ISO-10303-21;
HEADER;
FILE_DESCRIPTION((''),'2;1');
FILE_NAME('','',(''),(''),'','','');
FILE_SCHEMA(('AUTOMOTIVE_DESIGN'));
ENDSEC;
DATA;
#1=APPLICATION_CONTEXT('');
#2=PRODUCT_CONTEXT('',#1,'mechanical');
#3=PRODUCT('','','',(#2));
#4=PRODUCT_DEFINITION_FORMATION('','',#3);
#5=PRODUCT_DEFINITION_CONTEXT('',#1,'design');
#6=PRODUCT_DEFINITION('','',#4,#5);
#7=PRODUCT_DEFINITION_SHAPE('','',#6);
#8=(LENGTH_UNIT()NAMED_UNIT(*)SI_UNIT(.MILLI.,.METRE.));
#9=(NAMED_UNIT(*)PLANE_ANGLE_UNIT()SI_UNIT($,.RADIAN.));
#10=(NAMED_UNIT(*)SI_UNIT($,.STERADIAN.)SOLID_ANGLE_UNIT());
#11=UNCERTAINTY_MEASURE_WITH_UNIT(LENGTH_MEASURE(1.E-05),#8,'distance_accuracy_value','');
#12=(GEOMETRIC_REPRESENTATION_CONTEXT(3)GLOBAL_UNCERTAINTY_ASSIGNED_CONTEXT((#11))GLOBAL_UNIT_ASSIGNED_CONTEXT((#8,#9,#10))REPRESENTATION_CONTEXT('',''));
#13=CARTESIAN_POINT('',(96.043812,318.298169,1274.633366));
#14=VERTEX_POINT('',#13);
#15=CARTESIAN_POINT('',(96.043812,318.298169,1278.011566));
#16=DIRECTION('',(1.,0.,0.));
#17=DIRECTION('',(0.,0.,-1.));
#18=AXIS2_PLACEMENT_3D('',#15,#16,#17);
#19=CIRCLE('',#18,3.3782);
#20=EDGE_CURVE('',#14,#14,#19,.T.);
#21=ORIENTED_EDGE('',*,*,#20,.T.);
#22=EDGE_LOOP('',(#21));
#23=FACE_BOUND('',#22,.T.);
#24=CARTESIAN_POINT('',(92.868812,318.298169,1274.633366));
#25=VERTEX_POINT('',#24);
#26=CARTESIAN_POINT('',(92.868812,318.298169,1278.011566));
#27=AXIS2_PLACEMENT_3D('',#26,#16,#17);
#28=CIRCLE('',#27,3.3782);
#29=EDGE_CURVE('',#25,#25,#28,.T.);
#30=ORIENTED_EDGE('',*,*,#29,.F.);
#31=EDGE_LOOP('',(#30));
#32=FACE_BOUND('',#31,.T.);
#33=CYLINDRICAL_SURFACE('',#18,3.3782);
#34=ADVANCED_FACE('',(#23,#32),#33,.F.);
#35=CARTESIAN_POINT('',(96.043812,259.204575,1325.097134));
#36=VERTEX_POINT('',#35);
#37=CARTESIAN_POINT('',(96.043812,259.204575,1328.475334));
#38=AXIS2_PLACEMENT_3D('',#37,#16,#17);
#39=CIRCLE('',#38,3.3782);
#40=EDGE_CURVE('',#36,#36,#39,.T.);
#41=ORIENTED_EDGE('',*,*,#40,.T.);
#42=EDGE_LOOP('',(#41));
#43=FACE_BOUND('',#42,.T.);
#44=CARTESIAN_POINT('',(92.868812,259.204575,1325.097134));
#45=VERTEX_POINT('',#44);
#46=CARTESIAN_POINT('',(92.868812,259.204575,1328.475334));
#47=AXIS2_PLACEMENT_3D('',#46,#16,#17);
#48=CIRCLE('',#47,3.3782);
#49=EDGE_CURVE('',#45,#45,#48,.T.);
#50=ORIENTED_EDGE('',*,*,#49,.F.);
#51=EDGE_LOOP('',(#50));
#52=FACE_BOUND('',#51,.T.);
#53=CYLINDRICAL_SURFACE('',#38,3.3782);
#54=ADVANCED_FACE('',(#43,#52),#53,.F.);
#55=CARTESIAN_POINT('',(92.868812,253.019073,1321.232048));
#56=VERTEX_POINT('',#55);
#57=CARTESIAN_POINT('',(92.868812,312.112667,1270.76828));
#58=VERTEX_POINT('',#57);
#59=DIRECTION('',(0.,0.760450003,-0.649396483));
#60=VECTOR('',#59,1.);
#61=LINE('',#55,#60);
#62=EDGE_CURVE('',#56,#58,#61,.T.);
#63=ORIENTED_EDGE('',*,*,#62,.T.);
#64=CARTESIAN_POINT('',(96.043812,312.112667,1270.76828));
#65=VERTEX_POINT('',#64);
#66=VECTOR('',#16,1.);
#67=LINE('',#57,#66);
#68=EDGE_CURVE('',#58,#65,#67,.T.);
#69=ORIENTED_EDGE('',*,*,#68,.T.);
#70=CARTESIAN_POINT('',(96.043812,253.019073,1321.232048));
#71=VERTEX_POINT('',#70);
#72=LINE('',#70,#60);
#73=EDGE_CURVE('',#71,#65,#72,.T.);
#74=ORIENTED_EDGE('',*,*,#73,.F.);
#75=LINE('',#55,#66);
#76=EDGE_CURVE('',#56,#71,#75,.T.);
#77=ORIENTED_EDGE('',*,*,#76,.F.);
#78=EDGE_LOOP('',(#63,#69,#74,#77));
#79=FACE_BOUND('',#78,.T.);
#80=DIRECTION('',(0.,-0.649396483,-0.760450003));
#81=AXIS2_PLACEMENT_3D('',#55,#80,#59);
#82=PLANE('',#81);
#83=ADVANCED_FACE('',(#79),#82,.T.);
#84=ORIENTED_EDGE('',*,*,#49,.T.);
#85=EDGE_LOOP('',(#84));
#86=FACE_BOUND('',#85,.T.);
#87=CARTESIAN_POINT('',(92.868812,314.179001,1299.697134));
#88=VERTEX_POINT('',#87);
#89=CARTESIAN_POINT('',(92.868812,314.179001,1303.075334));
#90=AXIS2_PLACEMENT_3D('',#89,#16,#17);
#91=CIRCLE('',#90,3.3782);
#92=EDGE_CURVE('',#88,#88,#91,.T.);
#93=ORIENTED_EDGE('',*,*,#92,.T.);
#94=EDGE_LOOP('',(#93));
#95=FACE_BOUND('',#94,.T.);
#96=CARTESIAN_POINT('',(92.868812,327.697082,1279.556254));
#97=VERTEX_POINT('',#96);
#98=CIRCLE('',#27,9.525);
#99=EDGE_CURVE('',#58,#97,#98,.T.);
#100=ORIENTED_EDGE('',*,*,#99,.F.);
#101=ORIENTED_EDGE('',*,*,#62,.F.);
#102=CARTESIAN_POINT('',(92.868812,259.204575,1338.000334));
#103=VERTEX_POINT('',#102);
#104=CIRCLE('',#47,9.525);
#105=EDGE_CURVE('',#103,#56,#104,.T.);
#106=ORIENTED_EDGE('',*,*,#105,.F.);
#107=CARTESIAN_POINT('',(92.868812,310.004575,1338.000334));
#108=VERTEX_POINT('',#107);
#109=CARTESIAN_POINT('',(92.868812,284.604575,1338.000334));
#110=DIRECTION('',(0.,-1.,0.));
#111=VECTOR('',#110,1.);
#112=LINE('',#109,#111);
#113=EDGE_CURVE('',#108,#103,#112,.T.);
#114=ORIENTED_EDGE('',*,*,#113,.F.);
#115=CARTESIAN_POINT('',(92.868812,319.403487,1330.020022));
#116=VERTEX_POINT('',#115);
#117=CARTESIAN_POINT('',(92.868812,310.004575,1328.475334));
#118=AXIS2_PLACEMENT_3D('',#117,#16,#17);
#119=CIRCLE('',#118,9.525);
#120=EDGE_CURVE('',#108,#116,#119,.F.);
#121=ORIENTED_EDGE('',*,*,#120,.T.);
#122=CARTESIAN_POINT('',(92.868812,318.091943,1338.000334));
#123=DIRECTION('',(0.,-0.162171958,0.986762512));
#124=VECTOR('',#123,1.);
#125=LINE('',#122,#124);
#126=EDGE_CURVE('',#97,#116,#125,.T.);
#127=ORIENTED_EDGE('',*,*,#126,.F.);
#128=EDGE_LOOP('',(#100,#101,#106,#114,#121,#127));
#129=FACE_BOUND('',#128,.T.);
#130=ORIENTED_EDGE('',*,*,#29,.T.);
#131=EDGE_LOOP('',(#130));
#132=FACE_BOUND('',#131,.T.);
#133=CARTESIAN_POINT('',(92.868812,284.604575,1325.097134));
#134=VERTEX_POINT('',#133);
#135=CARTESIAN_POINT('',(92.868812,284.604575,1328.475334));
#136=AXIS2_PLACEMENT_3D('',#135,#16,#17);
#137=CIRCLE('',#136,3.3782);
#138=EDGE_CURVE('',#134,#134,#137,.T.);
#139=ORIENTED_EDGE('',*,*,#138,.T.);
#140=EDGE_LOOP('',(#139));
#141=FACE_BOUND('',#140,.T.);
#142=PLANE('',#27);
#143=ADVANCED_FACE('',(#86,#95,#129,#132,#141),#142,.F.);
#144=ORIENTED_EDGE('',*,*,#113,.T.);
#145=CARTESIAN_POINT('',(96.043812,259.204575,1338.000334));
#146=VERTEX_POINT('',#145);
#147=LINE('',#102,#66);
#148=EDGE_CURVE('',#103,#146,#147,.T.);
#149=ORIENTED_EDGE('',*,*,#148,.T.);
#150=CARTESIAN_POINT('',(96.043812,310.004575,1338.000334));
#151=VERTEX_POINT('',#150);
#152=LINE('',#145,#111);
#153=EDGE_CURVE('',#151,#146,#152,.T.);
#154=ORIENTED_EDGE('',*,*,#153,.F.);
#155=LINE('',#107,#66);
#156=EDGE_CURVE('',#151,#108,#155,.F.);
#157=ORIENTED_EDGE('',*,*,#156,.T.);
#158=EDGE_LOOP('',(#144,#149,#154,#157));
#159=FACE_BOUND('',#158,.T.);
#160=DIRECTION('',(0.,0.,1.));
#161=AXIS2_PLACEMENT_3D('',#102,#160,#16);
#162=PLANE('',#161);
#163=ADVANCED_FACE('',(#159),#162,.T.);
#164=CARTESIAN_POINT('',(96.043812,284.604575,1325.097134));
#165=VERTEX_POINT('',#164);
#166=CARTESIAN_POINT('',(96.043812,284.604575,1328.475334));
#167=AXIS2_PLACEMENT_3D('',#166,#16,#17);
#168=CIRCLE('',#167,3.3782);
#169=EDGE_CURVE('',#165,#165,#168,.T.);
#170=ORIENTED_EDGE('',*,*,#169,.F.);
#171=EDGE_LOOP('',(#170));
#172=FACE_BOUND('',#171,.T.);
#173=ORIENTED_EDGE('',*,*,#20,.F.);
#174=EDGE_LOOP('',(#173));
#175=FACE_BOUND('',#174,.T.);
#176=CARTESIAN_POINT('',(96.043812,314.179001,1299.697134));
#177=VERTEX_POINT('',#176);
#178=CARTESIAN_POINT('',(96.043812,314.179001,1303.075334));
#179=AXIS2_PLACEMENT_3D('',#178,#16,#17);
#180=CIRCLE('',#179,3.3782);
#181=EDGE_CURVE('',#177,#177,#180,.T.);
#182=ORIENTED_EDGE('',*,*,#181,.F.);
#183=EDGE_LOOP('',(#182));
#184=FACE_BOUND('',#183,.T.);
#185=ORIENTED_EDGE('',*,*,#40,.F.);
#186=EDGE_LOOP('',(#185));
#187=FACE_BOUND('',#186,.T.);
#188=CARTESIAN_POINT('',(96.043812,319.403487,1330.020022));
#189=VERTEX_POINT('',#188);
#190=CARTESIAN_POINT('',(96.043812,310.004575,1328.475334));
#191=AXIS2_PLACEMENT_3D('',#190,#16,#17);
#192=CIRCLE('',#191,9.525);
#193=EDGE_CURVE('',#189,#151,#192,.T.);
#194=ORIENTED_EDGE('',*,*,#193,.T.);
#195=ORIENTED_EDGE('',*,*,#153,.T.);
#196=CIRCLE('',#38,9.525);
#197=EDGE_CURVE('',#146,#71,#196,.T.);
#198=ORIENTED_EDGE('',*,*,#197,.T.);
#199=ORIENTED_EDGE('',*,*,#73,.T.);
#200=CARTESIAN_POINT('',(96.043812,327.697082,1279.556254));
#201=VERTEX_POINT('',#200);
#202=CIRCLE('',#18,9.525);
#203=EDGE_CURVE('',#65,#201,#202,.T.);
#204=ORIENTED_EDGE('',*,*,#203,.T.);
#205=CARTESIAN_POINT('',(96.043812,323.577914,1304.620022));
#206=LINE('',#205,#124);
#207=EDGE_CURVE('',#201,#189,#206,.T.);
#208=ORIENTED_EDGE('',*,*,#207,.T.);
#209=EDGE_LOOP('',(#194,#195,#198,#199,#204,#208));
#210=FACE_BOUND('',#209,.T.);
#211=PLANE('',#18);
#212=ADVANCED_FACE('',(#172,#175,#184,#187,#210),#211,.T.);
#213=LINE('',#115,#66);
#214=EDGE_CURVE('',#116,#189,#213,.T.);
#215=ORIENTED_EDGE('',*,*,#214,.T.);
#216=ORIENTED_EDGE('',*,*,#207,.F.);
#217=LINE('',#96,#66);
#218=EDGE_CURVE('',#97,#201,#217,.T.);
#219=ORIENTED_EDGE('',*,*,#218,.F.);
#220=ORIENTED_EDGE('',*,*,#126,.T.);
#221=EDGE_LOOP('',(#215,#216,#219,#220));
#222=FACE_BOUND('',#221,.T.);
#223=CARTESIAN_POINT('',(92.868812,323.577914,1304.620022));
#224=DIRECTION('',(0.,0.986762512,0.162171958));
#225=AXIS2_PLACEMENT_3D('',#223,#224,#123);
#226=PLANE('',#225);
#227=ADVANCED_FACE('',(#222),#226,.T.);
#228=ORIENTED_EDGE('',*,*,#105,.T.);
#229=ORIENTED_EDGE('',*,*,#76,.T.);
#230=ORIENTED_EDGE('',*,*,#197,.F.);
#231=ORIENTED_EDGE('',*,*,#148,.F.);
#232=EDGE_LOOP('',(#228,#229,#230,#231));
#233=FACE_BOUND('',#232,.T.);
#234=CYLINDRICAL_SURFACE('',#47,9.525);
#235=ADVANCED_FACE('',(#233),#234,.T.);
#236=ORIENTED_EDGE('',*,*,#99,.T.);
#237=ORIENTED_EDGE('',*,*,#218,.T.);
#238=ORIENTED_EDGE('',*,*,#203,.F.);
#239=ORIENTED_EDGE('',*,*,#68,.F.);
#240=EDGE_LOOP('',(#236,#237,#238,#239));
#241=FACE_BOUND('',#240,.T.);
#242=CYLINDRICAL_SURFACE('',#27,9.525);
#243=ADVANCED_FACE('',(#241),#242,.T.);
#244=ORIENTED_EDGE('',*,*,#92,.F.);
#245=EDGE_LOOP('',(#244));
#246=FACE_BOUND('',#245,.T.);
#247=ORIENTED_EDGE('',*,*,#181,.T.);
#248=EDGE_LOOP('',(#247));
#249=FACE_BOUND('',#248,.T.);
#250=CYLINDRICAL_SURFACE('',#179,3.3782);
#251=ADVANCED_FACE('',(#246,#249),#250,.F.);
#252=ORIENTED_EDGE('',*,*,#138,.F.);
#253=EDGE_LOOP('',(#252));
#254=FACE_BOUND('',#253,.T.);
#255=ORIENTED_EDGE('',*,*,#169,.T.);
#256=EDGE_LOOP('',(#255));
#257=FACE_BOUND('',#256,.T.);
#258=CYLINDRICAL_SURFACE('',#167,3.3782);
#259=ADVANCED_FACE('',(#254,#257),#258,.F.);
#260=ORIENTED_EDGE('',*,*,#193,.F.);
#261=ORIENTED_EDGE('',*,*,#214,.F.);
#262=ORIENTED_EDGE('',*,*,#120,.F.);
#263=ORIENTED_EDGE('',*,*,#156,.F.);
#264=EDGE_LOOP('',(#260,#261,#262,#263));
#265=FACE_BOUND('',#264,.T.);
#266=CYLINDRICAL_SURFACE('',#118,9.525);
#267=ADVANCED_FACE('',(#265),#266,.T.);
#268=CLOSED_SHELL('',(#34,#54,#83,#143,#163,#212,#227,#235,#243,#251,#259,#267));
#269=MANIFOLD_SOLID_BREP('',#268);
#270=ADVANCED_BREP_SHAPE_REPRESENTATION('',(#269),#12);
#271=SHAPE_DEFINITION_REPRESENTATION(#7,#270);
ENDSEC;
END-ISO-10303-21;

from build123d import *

# Parameters (mm, degrees)
BOSS_EXTRUDE1_START     = 92.868812
BOSS_EXTRUDE1_DEPTH     = 3.175
FILLET1_R               = 9.525
F_1_4_CLEARANCE_HOLE1_D = 6.7564


with BuildPart() as part:
    # Sketch1 → Boss-Extrude1 (new body)
    with BuildSketch(Plane(origin=(0, 0, 0), x_dir=(0, 0, -1), z_dir=(1, 0, 0)).offset(BOSS_EXTRUDE1_START)):
        with BuildLine():
            Line((-1304.620022056, 323.577914146), (-1279.556254241, 327.697081886))
            ThreePointArc((-1279.556254241, 327.697081886), (-1269.714759772, 322.976697122), (-1270.768280058, 312.11266745))
            Line((-1270.768280058, 312.11266745), (-1321.232047874, 253.01907305))
            ThreePointArc((-1321.232047874, 253.01907305), (-1331.771796135, 250.268190307), (-1338.000334154, 259.204574554))
            Line((-1338.000334154, 259.204574554), (-1338.000334154, 284.604574554))
            Line((-1338.000334154, 284.604574554), (-1338.000334154, 318.091943092))
            Line((-1338.000334154, 318.091943092), (-1304.620022056, 323.577914146))
        make_face()
    extrude(amount=BOSS_EXTRUDE1_DEPTH)

    # Fillet1
    fillet1_edges = [part.edges().sort_by_distance(p)[0] for p in [
        (94.456312, 318.091943092, 1338.000334154),
    ]]
    fillet(fillet1_edges, radius=FILLET1_R)

    # 1/4 Clearance Hole1 (through all)
    with Locations(Plane(origin=(96.043812484, 0, 0), x_dir=(0, 0, -1), z_dir=(1, 0, 0))):
        with Locations((-1303.075334154, 314.179001215), (-1278.011566338, 318.298168955), (-1328.475334154, 284.604574554), (-1328.475334154, 259.204574554)):
            Hole(F_1_4_CLEARANCE_HOLE1_D / 2)


solid = part.part
